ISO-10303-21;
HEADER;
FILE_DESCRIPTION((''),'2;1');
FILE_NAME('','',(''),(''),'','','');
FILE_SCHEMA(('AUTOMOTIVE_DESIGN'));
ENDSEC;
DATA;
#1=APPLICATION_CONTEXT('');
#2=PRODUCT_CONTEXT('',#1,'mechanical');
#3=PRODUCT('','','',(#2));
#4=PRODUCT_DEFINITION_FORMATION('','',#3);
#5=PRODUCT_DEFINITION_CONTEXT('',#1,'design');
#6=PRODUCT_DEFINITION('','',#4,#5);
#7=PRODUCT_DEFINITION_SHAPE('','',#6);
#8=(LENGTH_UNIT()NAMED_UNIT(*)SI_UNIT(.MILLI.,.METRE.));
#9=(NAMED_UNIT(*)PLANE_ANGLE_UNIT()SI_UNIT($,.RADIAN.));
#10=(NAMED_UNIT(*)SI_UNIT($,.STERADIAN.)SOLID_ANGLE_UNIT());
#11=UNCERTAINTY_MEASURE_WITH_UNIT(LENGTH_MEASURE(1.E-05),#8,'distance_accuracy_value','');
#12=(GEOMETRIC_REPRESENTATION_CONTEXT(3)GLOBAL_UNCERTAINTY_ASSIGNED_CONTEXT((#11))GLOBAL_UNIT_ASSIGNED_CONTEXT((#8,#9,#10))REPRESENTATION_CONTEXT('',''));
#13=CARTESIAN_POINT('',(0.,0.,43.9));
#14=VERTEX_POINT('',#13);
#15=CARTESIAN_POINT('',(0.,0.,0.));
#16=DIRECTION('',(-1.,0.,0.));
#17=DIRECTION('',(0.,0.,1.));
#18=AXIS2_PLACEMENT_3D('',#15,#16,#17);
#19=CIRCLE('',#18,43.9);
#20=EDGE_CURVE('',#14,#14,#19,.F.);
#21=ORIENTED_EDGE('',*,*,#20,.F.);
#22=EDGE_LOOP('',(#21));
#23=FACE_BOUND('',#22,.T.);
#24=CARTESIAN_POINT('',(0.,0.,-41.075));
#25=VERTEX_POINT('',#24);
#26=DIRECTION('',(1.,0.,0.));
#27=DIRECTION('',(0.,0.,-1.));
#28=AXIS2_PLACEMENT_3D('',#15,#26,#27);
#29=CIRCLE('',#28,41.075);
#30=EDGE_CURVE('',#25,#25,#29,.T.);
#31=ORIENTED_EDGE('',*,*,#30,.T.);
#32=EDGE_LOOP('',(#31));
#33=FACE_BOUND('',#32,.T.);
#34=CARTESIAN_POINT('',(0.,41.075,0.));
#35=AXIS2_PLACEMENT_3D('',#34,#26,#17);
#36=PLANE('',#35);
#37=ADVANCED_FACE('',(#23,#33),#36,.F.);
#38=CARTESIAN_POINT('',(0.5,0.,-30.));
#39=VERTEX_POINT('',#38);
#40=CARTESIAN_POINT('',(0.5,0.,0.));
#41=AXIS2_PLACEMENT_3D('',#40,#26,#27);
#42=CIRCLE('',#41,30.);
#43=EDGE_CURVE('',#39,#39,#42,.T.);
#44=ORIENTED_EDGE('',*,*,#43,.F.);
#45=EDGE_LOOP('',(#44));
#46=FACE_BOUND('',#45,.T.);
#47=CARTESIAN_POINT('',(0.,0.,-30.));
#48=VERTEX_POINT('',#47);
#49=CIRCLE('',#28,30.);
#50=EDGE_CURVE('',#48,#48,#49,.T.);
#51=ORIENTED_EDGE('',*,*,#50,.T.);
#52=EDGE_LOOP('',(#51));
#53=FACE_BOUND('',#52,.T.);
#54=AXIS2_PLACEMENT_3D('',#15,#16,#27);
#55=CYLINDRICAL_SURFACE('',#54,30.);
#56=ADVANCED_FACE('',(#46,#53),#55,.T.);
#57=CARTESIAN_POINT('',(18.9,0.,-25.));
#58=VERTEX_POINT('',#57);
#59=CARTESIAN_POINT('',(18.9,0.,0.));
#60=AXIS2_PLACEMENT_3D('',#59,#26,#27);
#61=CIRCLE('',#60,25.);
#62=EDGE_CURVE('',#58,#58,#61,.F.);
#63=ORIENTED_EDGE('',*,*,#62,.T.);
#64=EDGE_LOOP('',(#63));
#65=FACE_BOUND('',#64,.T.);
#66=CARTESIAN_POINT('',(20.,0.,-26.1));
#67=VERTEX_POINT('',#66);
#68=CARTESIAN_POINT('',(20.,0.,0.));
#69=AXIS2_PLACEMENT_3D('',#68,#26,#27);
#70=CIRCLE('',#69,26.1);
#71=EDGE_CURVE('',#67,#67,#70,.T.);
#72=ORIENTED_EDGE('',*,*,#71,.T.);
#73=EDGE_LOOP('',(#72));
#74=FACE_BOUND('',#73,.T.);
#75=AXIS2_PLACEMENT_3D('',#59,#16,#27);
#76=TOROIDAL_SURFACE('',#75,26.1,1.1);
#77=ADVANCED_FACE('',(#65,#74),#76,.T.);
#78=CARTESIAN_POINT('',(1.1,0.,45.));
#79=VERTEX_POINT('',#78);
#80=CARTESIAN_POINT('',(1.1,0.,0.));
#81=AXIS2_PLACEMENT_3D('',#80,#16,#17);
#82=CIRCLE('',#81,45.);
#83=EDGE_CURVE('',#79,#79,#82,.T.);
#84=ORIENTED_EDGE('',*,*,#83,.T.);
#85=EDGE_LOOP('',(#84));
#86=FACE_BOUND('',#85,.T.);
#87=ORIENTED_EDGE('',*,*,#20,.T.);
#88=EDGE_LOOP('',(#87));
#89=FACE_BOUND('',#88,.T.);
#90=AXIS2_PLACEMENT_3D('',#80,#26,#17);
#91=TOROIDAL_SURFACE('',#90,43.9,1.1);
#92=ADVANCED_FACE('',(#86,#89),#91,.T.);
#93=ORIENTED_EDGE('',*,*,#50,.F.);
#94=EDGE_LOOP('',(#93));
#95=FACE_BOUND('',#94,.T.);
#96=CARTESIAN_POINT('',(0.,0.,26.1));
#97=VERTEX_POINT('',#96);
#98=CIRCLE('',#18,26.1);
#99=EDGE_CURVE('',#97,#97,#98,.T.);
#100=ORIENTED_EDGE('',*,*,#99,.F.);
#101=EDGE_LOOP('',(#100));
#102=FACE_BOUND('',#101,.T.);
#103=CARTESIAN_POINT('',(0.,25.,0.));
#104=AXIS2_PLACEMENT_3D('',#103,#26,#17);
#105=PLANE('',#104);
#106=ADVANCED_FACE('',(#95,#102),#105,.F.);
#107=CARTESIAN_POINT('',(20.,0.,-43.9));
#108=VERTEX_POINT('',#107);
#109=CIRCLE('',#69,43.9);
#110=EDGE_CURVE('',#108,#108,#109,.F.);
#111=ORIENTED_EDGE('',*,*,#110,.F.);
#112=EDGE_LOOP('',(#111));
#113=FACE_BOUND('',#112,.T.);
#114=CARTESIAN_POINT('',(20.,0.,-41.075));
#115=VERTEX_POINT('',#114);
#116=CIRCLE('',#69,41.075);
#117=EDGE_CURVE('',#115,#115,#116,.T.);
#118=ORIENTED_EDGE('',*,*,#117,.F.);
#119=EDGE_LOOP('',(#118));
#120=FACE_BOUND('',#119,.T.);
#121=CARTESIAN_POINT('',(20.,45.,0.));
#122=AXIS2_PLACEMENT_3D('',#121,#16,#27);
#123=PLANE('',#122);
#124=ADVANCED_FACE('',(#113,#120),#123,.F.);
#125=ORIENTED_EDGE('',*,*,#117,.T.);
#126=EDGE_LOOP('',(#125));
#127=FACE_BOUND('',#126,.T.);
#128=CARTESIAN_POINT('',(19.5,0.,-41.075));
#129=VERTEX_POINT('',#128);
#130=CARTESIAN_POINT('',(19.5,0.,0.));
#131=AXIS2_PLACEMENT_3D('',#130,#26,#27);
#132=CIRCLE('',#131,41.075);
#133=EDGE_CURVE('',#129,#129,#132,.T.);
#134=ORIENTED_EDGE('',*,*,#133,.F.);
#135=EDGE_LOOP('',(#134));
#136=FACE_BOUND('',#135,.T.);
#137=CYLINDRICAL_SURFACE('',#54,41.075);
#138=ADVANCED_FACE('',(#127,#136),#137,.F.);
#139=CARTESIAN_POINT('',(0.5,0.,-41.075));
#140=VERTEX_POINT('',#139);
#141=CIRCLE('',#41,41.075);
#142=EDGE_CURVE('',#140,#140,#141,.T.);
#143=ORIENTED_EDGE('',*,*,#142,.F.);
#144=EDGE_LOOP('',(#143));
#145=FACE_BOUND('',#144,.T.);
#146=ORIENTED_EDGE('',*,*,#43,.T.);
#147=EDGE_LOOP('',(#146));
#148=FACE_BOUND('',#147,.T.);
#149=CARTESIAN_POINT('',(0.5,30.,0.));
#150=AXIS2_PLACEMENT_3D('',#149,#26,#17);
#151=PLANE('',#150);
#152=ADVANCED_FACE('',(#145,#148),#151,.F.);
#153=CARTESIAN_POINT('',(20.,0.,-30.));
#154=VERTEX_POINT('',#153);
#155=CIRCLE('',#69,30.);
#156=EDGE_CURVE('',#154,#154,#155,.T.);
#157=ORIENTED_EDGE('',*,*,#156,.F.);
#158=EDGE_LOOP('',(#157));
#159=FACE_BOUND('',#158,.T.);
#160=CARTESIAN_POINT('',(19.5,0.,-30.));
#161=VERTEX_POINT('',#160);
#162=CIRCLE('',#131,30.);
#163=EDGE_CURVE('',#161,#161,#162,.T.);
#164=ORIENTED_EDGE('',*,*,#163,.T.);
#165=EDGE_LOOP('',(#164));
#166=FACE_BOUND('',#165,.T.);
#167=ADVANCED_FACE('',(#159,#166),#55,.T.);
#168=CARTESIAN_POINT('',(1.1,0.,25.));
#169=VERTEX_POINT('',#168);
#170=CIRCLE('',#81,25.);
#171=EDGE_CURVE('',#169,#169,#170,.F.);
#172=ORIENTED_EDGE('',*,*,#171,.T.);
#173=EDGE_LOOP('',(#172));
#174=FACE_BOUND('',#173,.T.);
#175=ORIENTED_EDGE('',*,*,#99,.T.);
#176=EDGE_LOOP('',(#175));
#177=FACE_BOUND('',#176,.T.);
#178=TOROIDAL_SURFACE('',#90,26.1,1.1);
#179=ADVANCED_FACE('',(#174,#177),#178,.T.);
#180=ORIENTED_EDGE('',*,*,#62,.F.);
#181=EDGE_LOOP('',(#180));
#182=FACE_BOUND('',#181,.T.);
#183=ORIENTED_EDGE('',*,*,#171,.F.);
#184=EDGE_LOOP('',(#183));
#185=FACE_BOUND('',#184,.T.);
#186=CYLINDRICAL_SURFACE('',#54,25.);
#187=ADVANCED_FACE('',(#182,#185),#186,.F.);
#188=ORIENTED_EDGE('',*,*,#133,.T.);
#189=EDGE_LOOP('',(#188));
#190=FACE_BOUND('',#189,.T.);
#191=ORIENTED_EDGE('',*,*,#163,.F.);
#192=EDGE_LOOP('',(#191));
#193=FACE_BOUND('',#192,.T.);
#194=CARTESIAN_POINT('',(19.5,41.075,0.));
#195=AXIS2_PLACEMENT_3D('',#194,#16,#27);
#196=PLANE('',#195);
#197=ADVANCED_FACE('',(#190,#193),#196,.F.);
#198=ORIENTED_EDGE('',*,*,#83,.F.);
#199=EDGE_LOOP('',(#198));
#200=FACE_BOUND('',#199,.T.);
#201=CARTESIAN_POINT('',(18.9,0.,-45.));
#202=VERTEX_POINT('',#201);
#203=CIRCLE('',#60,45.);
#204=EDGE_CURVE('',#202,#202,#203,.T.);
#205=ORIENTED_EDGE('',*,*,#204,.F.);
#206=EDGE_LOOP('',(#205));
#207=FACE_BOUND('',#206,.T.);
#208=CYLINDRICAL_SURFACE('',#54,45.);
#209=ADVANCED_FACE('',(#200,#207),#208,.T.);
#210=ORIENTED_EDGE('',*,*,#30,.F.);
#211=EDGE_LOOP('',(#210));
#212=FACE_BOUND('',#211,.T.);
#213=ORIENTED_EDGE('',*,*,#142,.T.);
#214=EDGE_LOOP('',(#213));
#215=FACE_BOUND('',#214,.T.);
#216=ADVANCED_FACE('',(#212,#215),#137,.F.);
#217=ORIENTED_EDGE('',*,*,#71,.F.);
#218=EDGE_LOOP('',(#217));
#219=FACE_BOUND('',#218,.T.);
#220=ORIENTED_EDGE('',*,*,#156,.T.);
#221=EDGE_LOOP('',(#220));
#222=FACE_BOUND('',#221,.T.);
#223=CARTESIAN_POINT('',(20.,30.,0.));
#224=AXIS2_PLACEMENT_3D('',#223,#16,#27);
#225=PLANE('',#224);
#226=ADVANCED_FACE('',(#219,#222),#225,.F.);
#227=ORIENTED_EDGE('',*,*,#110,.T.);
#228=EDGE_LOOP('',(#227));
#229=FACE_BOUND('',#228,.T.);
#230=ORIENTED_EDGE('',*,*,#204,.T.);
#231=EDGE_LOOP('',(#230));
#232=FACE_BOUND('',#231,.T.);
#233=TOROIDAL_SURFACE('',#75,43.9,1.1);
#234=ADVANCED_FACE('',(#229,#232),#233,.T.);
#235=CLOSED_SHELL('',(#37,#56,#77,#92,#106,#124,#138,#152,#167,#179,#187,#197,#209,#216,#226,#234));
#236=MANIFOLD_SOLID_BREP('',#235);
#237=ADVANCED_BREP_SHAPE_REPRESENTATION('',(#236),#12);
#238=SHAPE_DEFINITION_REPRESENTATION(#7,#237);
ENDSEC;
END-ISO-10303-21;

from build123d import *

# Parameters (mm, degrees)
FILLET1_R = 1.1


with BuildPart() as part:
    # Sketch1 → Revolve1 (revolve)
    with BuildSketch(Plane.XY, mode=Mode.PRIVATE) as revolve1_sk:
        Polygon((0, 25), (0, 30), (0.5, 30), (0.5, 41.075), (0, 41.075), (0, 45), (20, 45), (20, 41.075), (19.5, 41.075), (19.5, 30), (20, 30), (20, 25), align=None)
    revolve(revolve1_sk.sketch.rotate(Axis((0, 0, 0), (1, 0, 0)), 90), axis=Axis((0, 0, 0), (1, 0, 0)))

    # Fillet1
    fillet1_edges = [part.edges().sort_by_distance(p)[0] for p in [
        (20, 0, -45),
        (0, 0, -45),
        (0, 0, -25),
        (20, 0, -25),
    ]]
    fillet(fillet1_edges, radius=FILLET1_R)


solid = part.part
